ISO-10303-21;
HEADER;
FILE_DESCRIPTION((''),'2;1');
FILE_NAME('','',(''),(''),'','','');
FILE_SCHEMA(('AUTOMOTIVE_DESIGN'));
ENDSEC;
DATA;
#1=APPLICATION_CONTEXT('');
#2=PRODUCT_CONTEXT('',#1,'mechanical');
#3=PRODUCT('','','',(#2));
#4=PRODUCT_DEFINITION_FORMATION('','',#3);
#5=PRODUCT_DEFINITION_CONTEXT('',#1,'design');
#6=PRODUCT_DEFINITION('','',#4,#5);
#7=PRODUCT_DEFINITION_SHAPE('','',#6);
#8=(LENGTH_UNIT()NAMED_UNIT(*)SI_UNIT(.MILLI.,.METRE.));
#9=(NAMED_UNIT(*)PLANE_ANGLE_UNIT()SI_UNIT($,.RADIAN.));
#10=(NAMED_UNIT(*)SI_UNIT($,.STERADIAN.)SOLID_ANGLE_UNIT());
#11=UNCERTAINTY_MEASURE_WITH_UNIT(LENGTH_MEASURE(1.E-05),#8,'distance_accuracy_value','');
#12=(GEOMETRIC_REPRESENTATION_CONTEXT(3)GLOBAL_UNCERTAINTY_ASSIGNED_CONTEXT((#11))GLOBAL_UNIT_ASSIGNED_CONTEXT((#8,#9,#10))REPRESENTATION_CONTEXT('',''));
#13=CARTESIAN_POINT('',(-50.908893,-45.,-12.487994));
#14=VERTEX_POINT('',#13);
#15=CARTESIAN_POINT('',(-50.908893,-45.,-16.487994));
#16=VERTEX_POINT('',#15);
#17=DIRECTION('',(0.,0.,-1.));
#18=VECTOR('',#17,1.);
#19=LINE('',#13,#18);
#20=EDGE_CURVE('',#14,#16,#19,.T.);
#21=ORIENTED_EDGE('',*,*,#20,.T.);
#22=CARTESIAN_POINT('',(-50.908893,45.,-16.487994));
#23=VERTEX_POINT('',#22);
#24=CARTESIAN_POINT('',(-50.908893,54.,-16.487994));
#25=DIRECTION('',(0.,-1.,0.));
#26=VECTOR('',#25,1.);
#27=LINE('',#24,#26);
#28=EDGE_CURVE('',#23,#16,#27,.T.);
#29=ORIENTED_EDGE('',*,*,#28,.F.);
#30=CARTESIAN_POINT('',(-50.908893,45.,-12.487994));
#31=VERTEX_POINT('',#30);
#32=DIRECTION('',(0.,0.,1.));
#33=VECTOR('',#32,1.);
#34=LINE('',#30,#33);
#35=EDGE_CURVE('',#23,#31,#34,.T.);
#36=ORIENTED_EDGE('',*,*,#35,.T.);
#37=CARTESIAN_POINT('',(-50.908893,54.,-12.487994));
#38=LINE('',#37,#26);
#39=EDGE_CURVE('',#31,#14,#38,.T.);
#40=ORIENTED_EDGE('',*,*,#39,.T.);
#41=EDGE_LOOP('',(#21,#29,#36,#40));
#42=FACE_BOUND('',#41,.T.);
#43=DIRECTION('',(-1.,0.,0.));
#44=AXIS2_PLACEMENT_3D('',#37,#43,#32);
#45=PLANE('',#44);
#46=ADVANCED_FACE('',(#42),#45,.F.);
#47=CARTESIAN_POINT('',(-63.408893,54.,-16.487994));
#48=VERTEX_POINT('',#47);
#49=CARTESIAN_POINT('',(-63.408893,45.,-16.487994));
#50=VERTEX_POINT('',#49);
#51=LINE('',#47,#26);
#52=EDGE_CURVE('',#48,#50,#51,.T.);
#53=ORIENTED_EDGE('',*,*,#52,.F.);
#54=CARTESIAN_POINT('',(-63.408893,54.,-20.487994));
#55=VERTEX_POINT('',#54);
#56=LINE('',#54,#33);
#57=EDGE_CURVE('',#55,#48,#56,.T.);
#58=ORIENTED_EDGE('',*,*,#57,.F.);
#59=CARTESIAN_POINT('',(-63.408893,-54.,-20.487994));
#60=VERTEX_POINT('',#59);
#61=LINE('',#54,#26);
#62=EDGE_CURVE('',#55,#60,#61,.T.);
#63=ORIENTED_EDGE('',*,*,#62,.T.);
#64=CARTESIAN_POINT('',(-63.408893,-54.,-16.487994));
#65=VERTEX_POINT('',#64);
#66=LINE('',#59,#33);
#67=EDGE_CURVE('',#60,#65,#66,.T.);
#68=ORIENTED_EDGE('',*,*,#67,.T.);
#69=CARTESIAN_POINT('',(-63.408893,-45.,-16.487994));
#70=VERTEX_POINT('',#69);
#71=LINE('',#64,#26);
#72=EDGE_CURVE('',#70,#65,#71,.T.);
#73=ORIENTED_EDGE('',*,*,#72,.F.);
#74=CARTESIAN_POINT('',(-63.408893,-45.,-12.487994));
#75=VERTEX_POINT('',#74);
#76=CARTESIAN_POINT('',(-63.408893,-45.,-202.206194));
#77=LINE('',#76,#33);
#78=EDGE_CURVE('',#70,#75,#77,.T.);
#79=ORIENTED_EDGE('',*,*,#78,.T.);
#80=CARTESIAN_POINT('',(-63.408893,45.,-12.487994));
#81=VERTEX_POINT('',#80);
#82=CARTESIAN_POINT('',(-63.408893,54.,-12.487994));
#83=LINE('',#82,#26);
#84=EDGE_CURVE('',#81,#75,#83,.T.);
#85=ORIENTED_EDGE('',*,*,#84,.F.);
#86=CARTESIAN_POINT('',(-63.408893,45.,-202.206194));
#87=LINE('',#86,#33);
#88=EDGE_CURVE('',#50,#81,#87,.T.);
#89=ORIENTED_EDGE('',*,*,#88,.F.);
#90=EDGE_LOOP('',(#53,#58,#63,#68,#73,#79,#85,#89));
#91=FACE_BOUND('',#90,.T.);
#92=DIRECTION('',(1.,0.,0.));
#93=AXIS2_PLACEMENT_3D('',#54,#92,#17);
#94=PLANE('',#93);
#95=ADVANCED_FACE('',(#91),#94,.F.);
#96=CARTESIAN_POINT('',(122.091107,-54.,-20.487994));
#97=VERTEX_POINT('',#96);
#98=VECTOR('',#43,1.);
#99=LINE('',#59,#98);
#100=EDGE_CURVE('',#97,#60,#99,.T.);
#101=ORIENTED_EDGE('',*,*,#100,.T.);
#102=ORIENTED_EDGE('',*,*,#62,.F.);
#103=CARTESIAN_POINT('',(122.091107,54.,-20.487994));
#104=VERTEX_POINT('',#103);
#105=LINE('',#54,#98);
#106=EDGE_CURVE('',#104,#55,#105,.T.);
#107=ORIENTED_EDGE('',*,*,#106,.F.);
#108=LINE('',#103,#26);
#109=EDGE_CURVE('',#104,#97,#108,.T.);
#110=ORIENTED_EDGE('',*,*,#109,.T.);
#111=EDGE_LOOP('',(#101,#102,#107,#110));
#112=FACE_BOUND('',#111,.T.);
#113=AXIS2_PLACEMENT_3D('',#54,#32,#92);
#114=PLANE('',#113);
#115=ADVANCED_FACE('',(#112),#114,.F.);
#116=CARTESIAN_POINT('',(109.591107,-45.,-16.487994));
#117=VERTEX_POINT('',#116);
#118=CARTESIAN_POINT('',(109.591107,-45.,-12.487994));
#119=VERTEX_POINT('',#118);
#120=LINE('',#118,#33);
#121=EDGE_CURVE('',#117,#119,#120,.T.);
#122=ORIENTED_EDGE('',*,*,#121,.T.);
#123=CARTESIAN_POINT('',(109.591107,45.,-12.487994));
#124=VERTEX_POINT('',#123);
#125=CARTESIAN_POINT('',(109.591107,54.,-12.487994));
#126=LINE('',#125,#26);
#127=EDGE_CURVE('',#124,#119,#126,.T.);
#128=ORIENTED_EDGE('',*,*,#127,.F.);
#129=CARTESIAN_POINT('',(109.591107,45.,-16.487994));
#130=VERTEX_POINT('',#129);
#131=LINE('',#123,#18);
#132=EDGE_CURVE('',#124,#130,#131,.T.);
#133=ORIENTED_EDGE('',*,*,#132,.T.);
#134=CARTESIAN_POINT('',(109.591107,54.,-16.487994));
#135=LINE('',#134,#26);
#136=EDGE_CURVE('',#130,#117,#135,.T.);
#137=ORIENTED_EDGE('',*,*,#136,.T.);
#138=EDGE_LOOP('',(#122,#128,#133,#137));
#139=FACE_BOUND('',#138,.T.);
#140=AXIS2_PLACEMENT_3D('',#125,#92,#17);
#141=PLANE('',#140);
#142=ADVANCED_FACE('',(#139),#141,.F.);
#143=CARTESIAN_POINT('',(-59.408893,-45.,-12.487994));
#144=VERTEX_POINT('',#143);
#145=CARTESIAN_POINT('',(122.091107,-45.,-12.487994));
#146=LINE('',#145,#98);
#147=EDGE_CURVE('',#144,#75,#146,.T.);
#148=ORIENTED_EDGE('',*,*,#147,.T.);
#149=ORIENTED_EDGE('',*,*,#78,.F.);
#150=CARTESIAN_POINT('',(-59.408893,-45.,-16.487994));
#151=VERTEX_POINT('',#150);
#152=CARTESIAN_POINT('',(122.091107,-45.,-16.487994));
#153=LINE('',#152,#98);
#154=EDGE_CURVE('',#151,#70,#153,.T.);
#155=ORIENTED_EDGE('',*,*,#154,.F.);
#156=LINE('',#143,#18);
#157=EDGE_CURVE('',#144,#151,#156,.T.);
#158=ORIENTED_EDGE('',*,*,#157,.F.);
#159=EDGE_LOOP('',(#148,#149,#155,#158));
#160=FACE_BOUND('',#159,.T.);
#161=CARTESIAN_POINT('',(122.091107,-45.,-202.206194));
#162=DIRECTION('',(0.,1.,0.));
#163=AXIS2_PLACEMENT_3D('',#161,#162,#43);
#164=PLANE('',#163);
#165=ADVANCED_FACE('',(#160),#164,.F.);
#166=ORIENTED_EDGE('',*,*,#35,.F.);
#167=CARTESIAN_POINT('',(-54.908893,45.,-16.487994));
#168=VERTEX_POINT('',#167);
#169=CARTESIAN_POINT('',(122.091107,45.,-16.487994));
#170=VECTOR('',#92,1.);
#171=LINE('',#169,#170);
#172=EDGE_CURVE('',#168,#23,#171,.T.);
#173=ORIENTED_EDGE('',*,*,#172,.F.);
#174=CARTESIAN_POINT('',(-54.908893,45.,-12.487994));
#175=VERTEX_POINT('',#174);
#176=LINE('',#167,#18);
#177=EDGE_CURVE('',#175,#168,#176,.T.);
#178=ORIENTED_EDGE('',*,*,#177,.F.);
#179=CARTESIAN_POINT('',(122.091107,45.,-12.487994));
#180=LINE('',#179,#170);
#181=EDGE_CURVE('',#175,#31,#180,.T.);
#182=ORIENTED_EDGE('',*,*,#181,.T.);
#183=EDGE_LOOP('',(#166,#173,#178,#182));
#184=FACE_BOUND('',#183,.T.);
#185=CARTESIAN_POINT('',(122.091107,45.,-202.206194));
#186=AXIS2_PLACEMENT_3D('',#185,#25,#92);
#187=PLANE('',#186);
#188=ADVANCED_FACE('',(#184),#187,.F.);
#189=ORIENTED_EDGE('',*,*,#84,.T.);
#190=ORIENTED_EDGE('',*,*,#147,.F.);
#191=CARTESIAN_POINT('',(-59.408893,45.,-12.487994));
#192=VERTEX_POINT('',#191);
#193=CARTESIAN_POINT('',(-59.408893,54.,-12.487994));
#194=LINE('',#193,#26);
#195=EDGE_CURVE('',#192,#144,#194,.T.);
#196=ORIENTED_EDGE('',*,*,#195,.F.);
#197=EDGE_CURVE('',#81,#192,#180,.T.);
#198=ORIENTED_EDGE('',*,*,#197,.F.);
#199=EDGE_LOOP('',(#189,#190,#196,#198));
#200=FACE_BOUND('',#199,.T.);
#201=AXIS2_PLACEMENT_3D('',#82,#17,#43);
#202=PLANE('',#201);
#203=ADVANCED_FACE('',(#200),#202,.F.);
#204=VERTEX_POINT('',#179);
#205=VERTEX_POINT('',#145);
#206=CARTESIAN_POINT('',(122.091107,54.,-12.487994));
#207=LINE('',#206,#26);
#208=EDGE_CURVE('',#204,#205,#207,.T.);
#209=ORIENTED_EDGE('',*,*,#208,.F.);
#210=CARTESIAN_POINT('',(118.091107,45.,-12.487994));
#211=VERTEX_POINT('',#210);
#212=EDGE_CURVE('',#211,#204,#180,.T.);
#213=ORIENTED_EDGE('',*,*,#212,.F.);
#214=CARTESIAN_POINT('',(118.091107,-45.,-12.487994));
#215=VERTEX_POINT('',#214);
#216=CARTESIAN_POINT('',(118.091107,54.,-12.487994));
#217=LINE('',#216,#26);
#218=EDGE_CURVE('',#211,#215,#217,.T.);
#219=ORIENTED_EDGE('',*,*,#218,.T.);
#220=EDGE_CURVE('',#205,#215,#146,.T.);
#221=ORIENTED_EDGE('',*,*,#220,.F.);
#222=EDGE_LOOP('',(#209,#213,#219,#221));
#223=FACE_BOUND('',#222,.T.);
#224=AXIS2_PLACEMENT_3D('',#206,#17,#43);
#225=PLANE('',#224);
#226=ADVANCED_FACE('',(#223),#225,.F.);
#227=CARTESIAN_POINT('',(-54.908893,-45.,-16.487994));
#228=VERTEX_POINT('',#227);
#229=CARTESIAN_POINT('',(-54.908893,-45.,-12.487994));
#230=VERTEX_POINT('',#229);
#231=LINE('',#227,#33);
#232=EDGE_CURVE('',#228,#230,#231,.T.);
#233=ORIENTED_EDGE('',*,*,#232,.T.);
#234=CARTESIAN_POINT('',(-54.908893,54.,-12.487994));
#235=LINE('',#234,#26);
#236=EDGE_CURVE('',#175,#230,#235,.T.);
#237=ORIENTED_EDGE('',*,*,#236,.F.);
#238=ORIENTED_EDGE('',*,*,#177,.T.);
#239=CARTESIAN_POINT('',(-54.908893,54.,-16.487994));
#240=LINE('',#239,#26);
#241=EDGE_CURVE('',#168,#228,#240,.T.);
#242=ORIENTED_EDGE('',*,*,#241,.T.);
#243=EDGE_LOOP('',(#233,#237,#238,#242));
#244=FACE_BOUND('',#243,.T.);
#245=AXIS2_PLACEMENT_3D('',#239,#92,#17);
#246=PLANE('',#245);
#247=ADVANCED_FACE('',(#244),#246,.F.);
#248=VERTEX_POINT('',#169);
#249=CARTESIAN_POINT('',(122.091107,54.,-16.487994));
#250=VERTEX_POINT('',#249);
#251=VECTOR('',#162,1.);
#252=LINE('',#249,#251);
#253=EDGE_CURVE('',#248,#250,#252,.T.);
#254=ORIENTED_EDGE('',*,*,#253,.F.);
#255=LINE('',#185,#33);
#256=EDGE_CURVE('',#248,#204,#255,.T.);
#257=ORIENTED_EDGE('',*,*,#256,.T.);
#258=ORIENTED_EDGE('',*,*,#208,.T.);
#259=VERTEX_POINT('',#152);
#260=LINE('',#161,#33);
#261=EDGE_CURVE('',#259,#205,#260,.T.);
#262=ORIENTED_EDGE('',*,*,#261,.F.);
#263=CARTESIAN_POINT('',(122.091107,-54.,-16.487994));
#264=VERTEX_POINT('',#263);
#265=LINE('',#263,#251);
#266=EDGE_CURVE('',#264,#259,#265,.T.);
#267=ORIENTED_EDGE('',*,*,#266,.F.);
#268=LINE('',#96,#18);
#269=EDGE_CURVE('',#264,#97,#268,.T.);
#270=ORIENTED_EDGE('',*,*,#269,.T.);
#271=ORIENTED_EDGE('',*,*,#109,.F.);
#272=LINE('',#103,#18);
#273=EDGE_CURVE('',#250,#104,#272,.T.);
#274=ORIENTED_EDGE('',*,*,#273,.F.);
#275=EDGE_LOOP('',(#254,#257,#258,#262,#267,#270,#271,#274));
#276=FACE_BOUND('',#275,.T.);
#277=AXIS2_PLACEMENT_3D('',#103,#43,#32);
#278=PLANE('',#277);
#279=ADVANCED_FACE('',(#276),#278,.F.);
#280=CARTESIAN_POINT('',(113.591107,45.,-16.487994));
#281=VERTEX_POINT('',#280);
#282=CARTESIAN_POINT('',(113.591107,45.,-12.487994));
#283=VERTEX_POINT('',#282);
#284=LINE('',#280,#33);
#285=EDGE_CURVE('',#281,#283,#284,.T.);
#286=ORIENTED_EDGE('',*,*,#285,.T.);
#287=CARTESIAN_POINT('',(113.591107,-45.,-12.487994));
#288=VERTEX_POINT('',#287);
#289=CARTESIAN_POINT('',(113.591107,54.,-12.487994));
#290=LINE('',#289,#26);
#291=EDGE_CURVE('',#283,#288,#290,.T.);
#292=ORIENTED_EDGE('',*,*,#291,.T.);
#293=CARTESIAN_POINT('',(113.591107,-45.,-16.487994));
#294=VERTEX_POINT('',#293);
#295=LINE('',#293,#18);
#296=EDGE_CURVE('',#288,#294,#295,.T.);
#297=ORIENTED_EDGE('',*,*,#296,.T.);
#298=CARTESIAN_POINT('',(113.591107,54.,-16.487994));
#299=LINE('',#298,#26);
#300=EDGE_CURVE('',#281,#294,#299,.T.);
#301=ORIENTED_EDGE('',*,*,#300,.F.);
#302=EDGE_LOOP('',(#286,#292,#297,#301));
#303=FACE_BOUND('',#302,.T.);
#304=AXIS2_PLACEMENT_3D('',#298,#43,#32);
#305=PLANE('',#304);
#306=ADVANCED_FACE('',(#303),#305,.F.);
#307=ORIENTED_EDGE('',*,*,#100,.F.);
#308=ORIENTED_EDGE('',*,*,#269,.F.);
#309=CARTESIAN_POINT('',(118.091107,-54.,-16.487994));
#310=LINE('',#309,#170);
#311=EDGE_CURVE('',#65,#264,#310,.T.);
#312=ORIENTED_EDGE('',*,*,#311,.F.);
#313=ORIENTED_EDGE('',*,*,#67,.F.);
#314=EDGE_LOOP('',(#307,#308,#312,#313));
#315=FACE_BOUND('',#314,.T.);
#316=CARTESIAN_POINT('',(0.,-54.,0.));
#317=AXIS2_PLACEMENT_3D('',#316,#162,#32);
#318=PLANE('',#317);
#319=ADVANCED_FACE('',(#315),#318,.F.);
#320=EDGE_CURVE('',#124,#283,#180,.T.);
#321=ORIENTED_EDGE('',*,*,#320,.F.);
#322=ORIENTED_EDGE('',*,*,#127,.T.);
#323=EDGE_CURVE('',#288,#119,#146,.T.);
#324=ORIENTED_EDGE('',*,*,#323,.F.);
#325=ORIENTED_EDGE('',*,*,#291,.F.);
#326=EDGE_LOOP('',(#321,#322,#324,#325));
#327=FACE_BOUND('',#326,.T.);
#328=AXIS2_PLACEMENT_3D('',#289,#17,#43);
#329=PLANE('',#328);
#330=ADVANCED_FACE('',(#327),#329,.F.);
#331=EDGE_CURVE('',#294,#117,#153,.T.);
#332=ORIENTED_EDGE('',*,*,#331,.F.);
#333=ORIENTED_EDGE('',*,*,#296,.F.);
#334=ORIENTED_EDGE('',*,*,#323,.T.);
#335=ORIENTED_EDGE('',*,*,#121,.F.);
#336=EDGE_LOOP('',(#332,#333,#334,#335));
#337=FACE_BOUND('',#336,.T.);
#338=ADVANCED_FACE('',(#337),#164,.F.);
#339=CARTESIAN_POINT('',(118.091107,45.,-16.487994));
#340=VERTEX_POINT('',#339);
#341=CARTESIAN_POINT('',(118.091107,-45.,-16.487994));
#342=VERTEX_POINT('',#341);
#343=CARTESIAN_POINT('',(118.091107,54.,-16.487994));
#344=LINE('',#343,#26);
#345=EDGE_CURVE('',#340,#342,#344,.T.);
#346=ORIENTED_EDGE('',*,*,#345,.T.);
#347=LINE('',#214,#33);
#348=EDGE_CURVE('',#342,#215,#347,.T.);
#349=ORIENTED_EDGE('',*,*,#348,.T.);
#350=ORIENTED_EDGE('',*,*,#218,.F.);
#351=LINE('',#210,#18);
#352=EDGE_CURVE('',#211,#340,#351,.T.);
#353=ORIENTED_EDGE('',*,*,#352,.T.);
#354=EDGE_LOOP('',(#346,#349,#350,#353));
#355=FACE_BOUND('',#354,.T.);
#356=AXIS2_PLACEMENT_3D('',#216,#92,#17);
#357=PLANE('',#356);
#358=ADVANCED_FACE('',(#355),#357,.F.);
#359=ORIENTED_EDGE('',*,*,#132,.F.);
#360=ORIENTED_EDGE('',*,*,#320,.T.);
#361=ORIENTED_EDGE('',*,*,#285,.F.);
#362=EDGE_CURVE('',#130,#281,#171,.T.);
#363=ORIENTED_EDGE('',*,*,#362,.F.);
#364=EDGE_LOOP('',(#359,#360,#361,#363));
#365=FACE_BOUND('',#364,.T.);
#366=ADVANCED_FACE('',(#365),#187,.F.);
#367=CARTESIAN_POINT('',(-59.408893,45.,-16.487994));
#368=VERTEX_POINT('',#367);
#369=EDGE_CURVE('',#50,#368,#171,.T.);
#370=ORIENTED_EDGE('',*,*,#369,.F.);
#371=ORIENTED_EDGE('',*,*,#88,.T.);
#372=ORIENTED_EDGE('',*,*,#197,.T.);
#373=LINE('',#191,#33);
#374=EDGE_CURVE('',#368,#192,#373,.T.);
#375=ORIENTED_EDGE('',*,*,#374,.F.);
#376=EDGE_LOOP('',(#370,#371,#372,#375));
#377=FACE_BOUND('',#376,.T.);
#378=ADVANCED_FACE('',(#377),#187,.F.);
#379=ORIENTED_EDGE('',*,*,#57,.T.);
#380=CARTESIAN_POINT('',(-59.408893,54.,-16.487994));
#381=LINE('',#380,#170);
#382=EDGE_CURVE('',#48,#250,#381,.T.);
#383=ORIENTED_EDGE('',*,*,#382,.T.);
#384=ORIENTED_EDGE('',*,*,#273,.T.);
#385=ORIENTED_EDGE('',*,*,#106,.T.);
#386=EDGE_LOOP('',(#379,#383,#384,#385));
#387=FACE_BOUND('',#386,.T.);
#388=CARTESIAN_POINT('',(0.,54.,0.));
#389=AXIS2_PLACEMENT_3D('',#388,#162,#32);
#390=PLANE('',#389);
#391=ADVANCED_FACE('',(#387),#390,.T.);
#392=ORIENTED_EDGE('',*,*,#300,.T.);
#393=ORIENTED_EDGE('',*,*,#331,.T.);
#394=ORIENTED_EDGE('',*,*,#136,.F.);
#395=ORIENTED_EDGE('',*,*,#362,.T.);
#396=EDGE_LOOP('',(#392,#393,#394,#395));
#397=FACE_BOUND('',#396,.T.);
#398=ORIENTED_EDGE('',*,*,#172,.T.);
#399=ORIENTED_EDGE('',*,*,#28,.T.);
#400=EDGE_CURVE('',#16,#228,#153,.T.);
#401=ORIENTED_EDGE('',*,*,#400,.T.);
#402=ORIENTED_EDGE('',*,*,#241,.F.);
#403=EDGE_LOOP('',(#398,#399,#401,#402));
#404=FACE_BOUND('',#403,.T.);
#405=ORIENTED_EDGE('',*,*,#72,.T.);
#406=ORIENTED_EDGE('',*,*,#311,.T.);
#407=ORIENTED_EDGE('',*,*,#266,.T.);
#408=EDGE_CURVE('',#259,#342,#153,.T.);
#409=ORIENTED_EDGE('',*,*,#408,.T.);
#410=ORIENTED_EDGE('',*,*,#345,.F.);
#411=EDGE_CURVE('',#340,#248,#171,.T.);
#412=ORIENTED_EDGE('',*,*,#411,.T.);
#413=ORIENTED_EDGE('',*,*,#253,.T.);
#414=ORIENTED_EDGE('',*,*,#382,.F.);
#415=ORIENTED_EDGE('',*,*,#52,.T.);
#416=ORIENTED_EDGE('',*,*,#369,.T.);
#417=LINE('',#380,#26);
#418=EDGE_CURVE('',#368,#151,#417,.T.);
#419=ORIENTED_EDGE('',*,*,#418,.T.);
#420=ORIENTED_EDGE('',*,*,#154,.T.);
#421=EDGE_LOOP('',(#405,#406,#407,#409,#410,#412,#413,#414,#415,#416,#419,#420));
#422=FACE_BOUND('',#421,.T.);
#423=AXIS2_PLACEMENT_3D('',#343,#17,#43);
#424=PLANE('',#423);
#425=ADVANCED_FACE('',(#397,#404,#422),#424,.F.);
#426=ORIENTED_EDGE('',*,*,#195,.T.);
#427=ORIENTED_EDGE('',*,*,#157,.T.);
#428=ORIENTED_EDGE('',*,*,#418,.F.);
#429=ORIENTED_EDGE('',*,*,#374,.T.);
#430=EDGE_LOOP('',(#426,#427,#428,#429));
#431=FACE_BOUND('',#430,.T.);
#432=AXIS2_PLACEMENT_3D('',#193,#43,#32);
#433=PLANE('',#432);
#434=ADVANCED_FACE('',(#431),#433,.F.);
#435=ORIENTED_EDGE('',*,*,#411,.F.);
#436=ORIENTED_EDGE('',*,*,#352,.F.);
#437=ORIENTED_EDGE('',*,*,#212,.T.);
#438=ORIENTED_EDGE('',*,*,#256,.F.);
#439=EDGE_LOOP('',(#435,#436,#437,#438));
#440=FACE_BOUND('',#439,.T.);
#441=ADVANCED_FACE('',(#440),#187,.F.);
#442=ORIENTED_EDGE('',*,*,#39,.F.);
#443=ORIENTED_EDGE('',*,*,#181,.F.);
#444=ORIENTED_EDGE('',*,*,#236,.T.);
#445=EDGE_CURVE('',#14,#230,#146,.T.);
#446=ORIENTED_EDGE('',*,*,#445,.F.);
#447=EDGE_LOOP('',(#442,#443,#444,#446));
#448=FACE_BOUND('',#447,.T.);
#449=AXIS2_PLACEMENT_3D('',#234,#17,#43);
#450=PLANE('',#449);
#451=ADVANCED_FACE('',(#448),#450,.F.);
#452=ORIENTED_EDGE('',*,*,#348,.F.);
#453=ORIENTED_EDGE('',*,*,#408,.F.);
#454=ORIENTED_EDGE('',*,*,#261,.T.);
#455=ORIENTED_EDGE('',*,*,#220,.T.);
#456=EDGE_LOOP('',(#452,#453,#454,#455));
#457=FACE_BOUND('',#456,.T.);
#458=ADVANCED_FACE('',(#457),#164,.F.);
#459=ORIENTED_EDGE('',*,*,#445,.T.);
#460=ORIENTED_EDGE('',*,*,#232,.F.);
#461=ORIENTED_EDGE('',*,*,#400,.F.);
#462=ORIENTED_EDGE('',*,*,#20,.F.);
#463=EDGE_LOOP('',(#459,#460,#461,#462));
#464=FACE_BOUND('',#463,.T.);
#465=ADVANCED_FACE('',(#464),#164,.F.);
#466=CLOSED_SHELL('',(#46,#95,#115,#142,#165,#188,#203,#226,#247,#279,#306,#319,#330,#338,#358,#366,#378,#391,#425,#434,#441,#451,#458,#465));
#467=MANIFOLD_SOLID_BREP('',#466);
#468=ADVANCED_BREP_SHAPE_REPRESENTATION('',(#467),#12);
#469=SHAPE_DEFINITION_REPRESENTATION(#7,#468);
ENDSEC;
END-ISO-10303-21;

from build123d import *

# Parameters (mm, degrees)
BOSS_EXTRUDE1_DEPTH = 54
SKETCH7_W           = 185.5
SKETCH7_H           = 9
CUT_EXTRUDE4_DEPTH  = 4
SKETCH8_W           = 185.5
SKETCH8_H           = 9
CUT_EXTRUDE5_DEPTH  = 4


with BuildPart() as part:
    # Sketch1 → Boss-Extrude1 (new, symmetric)
    with BuildSketch(Plane(origin=(0, 0, 0), x_dir=(1, 0, 0), z_dir=(0, 1, 0))):
        Polygon((-63.408892702, 20.487993735), (122.091107298, 20.487993735), (122.091107298, 12.487993735), (118.091107298, 12.487993735), (118.091107298, 16.487993735), (113.591107298, 16.487993735), (113.591107298, 12.487993735), (109.591107298, 12.487993735), (109.591107298, 16.487993735), (-50.908892702, 16.487993735), (-50.908892702, 12.487993735), (-54.908892702, 12.487993735), (-54.908892702, 16.487993735), (-59.408892702, 16.487993735), (-59.408892702, 12.487993735), (-63.408892702, 12.487993735), align=None)
    extrude(amount=BOSS_EXTRUDE1_DEPTH, both=True)

    # Sketch7 → Cut-Extrude4 (cut)
    with BuildSketch(Plane.XY.offset(-12.487993735)):
        with Locations((29.341107298, 49.5)):
            Rectangle(SKETCH7_W, SKETCH7_H)
    extrude(amount=-CUT_EXTRUDE4_DEPTH, mode=Mode.SUBTRACT)

    # Sketch8 → Cut-Extrude5 (cut)
    with BuildSketch(Plane.XY.offset(-12.487993735)):
        with Locations((29.341107298, -49.5)):
            Rectangle(SKETCH8_W, SKETCH8_H)
    extrude(amount=-CUT_EXTRUDE5_DEPTH, mode=Mode.SUBTRACT)


solid = part.part
